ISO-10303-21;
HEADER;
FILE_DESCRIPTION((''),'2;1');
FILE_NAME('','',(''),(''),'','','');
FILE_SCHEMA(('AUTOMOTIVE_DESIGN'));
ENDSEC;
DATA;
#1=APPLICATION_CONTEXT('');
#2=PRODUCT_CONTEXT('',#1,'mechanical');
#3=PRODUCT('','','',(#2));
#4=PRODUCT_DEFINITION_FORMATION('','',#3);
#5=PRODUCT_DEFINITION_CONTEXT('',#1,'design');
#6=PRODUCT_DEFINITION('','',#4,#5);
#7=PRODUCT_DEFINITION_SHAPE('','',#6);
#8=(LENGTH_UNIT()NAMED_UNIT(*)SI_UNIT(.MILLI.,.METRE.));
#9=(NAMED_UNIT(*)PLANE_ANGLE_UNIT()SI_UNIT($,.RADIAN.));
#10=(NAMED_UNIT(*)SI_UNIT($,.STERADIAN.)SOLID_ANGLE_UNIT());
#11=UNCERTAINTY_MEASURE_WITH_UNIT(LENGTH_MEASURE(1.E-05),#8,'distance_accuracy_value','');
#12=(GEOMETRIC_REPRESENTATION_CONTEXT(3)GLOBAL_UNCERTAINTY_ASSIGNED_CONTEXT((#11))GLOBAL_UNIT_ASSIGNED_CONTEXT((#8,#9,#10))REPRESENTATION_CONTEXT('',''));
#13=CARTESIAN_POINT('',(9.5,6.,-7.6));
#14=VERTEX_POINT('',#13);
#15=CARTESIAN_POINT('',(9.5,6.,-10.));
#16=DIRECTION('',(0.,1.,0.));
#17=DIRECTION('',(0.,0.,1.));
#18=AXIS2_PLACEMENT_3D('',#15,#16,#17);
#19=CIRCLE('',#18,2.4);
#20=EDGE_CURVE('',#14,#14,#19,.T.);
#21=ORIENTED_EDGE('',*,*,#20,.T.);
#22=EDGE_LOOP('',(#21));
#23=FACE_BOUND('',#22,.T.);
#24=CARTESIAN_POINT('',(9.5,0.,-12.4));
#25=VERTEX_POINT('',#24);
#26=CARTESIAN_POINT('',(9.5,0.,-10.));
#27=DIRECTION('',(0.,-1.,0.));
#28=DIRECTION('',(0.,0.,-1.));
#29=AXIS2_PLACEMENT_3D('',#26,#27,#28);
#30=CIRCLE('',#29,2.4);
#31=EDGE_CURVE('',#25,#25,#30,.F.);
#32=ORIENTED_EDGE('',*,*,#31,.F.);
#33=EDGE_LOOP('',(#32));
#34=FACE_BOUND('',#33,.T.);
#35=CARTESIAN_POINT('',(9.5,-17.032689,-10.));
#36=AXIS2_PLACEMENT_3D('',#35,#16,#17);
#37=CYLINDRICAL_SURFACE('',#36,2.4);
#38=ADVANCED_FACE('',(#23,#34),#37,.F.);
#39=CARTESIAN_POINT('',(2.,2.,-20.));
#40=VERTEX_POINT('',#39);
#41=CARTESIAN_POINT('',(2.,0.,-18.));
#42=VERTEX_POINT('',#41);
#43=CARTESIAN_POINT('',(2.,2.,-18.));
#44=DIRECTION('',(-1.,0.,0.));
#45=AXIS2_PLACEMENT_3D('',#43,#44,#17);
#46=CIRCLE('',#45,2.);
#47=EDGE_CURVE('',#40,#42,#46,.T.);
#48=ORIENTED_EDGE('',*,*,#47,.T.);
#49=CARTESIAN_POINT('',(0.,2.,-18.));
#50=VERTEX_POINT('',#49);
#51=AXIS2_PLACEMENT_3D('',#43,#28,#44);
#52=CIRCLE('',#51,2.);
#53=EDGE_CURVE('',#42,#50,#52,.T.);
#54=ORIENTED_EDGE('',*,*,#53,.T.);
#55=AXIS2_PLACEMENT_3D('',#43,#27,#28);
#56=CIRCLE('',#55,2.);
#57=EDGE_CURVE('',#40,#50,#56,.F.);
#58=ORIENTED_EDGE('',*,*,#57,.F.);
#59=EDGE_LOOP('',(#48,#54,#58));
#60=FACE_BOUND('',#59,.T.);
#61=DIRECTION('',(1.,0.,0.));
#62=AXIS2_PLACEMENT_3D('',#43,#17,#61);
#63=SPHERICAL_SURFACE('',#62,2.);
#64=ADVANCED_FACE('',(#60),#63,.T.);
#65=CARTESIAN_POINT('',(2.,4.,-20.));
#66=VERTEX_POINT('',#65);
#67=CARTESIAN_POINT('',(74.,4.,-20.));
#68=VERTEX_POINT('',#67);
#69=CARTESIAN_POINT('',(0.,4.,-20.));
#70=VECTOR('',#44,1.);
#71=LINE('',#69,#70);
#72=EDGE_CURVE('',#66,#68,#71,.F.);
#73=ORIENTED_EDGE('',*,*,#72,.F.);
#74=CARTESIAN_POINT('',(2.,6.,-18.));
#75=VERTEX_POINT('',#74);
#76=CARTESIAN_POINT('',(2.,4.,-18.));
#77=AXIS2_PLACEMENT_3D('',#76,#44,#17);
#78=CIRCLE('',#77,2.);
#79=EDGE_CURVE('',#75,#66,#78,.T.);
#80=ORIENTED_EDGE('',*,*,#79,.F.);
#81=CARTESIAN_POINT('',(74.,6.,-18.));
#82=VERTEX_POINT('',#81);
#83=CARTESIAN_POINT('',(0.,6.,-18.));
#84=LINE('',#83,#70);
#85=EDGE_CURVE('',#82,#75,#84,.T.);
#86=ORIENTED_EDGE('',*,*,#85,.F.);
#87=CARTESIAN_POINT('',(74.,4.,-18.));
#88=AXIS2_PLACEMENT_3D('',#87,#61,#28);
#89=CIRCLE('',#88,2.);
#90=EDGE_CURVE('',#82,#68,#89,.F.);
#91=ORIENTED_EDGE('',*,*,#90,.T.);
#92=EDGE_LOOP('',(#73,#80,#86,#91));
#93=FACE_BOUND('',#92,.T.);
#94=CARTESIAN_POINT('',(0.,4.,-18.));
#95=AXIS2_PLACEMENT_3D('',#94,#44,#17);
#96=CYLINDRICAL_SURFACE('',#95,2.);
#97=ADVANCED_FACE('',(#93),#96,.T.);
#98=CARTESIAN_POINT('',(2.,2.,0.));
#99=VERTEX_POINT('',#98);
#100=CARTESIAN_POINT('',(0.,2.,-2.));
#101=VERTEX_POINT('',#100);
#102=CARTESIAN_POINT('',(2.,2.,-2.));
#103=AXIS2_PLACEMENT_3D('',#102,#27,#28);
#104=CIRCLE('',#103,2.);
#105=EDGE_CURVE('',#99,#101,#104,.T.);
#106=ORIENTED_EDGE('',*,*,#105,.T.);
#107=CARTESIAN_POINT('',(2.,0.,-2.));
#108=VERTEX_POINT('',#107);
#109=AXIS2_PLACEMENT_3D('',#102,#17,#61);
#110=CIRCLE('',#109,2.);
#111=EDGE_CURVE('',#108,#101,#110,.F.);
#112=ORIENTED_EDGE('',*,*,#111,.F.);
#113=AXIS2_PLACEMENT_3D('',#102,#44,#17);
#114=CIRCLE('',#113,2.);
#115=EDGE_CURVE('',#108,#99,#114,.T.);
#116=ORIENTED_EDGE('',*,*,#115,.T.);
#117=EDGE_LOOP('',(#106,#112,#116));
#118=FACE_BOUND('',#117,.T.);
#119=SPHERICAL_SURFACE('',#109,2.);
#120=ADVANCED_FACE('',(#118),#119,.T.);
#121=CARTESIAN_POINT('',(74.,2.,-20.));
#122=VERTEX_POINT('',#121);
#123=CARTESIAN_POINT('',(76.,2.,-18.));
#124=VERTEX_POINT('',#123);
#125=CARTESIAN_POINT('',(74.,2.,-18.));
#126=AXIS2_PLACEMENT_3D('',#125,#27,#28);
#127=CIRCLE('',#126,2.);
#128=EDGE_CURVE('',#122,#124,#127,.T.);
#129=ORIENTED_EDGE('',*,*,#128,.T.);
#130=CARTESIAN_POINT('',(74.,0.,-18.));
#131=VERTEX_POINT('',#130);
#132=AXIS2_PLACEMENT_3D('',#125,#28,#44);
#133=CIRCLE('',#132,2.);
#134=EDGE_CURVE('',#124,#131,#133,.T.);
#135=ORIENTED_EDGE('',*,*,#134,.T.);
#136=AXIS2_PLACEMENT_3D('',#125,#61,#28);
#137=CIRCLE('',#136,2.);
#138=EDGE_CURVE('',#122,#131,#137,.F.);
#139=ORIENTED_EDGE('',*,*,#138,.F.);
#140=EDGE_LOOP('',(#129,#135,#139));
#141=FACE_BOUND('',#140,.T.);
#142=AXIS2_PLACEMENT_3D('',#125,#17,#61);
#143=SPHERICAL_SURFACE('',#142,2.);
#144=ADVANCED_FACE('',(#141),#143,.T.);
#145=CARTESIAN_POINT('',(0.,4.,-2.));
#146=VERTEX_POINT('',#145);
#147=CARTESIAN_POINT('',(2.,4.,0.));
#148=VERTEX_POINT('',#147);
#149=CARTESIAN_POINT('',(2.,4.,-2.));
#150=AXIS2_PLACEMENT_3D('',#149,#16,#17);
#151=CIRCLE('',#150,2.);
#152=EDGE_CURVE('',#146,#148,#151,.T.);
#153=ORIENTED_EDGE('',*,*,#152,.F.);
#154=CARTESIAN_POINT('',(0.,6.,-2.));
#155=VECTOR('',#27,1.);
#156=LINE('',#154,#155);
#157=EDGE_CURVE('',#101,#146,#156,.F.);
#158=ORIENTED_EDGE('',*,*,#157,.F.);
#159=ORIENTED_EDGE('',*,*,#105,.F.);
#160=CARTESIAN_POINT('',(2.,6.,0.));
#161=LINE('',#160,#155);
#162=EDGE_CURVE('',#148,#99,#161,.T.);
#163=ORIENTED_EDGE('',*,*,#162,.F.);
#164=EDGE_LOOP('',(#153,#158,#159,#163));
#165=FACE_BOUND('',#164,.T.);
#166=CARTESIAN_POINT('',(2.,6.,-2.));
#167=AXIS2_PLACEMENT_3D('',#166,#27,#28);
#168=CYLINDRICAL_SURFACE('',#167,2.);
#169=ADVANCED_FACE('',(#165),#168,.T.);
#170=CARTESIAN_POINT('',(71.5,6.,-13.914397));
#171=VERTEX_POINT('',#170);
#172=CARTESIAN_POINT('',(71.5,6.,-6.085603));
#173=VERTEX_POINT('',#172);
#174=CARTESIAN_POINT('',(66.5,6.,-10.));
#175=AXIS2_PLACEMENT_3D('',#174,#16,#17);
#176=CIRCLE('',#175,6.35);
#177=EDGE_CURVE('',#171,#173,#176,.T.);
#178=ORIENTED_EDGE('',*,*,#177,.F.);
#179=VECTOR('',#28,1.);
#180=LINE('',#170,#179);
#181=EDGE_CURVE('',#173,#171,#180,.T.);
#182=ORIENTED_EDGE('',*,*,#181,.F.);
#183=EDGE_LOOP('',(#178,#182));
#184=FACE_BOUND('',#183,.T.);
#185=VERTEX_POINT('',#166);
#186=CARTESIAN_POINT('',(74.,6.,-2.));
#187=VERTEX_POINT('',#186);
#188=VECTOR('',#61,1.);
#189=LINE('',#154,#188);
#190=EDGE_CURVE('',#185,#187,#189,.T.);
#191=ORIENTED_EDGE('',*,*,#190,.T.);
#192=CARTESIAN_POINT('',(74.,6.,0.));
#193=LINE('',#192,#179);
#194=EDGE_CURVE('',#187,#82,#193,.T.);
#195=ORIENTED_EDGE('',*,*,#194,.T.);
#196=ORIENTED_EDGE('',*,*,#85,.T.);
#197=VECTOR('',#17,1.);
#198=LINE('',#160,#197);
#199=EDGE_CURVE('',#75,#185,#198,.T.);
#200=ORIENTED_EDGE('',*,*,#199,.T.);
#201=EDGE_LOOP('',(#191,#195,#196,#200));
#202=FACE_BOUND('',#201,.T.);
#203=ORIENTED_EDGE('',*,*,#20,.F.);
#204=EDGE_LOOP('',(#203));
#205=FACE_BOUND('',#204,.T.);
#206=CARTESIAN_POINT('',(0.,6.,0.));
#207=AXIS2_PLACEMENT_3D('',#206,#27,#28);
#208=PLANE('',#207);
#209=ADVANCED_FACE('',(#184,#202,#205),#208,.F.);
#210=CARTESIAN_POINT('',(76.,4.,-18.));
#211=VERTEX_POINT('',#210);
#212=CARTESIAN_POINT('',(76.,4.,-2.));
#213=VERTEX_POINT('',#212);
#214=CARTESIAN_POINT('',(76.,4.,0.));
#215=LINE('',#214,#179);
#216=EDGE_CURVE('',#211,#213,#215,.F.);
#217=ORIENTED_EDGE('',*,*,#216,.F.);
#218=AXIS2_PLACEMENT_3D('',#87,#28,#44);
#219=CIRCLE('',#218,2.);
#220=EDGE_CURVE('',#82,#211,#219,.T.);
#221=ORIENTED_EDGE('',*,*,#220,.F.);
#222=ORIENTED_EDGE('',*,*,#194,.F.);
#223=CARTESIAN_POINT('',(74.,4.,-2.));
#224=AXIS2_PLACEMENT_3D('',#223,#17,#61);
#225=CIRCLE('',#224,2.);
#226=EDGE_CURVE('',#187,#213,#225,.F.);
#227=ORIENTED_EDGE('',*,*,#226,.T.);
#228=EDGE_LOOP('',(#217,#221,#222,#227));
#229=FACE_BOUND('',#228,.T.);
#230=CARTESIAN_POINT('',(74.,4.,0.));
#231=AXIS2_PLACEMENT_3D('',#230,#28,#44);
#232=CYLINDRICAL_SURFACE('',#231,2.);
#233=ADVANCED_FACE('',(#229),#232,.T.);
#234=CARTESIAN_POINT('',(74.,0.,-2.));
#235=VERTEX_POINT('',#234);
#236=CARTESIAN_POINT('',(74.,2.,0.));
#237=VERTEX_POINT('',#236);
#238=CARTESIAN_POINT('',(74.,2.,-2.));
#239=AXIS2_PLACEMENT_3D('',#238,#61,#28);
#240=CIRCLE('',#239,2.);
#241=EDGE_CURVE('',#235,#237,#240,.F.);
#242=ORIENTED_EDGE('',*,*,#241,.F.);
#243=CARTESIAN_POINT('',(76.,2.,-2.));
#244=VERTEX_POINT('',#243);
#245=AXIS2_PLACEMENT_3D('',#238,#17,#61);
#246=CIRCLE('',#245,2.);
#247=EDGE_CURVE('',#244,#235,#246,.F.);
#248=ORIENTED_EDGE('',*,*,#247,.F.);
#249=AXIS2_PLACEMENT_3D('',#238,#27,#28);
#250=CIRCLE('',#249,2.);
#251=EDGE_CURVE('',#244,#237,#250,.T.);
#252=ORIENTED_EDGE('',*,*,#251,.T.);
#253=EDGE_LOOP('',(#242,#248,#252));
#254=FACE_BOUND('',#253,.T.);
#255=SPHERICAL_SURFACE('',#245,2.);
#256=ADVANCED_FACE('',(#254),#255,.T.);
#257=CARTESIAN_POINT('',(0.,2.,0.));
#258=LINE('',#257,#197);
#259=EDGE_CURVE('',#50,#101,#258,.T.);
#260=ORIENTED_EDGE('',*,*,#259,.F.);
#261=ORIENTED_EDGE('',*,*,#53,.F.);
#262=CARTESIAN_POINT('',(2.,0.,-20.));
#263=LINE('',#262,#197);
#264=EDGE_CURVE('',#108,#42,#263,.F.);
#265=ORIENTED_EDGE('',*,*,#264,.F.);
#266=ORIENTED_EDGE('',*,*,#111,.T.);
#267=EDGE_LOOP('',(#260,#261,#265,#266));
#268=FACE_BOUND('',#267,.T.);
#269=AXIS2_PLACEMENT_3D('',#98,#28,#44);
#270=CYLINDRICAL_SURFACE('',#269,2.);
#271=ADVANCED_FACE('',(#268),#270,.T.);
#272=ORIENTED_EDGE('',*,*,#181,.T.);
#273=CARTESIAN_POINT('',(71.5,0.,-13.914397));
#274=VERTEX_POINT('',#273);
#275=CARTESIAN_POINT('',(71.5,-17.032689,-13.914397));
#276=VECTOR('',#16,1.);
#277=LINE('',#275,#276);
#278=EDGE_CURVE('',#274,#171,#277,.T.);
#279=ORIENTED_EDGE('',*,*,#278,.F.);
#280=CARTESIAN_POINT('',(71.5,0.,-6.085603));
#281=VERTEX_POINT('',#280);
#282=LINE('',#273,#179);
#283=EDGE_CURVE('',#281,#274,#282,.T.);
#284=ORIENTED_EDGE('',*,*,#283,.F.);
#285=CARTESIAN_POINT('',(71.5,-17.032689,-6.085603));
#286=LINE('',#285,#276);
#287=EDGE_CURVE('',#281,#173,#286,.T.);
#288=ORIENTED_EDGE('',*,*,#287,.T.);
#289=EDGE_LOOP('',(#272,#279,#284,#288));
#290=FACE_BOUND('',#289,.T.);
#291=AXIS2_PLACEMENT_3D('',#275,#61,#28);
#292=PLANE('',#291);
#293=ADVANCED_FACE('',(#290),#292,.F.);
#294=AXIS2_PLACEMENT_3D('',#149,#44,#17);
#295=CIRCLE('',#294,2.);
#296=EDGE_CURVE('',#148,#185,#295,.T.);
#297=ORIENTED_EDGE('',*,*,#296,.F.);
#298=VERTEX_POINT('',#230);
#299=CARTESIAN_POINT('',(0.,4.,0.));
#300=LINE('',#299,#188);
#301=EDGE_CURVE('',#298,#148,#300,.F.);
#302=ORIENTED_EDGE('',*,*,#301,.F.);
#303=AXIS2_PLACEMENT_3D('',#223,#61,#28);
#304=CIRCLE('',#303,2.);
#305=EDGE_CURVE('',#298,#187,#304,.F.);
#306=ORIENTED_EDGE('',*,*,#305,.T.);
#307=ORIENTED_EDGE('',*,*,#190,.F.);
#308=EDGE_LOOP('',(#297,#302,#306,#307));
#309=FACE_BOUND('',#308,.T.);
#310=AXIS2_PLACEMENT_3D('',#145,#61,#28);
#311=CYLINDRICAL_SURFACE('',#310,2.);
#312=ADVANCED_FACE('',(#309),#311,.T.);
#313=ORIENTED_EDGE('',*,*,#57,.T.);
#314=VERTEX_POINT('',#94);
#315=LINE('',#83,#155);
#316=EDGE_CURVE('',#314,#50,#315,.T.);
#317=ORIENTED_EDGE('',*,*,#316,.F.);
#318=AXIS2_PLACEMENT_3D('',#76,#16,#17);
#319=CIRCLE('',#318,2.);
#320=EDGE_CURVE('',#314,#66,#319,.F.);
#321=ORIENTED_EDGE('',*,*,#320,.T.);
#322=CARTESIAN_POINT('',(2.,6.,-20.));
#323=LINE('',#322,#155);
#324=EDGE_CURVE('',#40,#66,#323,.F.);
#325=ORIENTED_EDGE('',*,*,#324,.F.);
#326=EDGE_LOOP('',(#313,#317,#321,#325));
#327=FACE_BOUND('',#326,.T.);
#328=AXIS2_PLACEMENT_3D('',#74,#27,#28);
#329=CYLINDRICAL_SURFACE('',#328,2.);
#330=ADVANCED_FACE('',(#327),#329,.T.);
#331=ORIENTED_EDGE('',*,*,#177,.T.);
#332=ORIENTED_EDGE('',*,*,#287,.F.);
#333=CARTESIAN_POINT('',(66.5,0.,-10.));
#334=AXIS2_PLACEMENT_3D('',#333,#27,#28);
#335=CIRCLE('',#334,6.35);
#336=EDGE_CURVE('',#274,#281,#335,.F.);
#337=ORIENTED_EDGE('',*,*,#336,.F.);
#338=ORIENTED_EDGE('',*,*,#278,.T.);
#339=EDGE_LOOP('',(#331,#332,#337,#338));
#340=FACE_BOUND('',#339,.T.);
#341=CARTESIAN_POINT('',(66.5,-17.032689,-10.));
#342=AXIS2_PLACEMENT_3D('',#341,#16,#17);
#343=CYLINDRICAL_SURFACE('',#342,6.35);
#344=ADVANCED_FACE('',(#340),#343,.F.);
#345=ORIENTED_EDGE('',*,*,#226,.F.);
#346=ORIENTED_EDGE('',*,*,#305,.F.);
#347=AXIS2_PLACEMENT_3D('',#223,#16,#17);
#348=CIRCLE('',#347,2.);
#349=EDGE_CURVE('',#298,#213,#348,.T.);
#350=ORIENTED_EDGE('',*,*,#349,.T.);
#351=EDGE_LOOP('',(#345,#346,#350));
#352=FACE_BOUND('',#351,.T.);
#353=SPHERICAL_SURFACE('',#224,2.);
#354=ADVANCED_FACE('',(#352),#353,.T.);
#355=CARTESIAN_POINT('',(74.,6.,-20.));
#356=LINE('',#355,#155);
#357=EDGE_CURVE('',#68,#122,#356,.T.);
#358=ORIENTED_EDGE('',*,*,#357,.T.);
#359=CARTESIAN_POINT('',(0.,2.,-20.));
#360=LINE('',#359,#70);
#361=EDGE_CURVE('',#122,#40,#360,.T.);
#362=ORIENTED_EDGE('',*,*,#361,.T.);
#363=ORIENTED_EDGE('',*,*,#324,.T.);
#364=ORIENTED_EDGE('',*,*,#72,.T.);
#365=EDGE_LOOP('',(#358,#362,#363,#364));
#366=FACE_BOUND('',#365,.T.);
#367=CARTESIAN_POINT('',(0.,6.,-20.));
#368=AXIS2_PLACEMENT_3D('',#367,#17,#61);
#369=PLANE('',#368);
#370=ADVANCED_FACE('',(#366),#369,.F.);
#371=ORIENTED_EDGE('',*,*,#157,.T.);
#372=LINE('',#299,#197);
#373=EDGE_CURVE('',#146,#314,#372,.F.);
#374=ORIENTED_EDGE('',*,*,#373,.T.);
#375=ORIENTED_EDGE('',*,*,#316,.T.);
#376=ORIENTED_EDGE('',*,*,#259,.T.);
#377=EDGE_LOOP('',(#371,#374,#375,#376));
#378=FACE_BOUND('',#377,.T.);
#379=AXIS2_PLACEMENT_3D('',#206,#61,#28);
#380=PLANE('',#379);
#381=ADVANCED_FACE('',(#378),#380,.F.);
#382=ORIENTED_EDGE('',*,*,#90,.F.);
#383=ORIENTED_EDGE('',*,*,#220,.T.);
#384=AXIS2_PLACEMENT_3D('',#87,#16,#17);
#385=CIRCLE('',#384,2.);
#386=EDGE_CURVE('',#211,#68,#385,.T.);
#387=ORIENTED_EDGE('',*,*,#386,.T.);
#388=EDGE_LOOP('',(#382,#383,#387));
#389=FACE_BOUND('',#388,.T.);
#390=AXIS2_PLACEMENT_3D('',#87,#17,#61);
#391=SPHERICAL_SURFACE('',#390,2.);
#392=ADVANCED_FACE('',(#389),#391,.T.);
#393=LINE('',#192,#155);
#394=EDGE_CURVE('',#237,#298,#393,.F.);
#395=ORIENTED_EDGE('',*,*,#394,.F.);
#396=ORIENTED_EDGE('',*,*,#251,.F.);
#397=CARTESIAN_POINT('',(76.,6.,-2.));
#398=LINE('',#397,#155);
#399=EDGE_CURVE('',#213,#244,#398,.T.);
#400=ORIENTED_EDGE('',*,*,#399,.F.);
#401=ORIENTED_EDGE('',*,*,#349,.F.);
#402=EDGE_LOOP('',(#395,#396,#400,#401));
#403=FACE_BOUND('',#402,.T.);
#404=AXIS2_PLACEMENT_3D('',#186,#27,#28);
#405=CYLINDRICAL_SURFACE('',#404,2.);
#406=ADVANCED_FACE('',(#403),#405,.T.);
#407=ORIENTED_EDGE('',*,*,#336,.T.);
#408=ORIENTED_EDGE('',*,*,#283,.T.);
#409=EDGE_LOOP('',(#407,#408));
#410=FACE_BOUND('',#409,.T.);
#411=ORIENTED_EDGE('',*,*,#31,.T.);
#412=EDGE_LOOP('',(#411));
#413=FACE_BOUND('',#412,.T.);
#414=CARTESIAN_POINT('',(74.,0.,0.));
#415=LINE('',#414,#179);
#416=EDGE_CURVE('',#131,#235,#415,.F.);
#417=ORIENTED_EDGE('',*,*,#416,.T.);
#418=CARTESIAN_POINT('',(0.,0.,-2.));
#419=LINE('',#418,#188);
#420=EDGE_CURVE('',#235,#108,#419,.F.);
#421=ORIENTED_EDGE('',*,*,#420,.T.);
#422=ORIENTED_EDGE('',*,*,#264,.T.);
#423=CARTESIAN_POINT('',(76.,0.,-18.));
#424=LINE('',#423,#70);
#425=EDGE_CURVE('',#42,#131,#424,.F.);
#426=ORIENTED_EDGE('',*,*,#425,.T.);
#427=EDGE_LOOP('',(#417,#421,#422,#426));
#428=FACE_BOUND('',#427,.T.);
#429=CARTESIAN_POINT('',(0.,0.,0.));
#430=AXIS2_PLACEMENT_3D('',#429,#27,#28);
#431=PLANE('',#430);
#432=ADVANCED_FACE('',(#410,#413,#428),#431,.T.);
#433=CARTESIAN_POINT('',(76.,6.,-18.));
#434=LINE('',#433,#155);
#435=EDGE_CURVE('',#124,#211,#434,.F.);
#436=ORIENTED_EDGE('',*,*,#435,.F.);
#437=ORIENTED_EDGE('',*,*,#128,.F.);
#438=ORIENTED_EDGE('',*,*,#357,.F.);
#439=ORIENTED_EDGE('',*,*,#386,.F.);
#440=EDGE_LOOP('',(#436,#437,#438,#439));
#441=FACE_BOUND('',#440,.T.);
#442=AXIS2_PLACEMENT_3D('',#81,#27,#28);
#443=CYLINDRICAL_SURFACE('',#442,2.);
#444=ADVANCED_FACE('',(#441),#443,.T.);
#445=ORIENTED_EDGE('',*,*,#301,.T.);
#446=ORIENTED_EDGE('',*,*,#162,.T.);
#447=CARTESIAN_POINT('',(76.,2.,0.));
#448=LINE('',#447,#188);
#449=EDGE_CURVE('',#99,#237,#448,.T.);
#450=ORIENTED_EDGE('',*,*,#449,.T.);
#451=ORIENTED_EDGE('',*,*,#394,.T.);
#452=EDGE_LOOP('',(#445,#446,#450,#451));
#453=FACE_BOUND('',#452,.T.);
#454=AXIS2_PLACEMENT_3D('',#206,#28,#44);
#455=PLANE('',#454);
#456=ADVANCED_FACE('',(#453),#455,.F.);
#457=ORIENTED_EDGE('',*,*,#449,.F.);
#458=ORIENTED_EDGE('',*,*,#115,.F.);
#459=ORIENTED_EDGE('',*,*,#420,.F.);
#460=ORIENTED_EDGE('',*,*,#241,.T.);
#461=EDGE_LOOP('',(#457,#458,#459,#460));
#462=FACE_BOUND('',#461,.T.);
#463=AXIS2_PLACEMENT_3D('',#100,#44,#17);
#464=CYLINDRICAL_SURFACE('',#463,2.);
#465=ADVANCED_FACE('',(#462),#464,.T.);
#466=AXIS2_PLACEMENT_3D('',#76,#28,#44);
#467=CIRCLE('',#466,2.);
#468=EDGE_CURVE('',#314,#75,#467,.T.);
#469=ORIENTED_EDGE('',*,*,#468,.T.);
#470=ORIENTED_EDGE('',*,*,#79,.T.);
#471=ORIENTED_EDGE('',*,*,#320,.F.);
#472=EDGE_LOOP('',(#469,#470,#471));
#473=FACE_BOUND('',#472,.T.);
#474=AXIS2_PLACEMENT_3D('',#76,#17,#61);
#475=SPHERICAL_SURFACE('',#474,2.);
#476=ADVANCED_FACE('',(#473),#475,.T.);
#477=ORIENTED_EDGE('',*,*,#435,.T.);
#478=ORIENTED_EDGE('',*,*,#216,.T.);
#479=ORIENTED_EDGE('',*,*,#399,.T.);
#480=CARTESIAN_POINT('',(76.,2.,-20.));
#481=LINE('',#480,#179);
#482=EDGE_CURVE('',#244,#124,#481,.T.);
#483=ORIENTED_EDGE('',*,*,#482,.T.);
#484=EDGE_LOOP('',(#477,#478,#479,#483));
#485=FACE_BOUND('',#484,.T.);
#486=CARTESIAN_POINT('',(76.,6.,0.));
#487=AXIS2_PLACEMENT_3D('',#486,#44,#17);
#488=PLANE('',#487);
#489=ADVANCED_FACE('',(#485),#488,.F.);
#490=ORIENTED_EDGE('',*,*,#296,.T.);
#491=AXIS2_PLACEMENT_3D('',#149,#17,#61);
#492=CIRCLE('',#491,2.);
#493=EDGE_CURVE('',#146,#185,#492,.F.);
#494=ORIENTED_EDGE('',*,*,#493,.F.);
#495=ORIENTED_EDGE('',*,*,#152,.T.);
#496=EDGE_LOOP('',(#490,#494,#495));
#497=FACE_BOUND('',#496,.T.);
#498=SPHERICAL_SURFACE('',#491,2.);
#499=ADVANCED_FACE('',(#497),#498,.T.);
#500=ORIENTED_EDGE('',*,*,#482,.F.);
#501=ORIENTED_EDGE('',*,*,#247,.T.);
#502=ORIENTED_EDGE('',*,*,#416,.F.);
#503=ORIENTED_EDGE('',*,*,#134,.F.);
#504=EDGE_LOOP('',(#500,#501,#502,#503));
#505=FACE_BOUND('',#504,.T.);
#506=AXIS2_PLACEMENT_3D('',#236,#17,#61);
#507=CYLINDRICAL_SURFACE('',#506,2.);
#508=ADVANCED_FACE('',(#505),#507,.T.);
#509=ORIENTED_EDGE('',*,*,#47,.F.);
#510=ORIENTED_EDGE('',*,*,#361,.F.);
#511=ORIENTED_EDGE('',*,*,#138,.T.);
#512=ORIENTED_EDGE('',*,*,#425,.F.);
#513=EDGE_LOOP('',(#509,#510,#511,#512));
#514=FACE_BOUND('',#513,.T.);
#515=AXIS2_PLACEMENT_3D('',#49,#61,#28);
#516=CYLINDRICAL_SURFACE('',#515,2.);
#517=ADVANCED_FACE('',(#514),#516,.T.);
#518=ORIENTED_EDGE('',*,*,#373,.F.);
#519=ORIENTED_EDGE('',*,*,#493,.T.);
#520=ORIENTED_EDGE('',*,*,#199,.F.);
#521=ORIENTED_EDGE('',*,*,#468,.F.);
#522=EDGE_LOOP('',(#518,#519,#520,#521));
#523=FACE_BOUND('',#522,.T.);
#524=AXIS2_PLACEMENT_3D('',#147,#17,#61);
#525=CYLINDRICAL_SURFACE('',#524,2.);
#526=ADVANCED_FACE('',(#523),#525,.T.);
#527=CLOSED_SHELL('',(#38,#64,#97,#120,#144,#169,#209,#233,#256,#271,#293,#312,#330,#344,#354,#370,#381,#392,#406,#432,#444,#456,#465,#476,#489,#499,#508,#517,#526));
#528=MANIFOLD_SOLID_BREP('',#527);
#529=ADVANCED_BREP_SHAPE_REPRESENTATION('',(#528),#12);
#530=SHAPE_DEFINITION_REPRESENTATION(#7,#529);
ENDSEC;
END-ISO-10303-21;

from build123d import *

# Parameters (mm, degrees)
SKETCH1_W           = 76
SKETCH1_H           = 20
BOSS_EXTRUDE1_DEPTH = 6
SKETCH2_R           = 2.4
CUT_EXTRUDE1_DEPTH  = 6
FILLET1_R           = 2


with BuildPart() as part:
    # Sketch1 → Boss-Extrude1 (new body)
    with BuildSketch(Plane(origin=(0, 0, 0), x_dir=(1, 0, 0), z_dir=(0, 1, 0))):
        with Locations((38, 10)):
            Rectangle(SKETCH1_W, SKETCH1_H)
    extrude(amount=BOSS_EXTRUDE1_DEPTH)

    # Sketch2 → Cut-Extrude1 (cut)
    with BuildSketch(Plane(origin=(0, 6, 0), x_dir=(1, 0, 0), z_dir=(0, 1, 0))):
        with Locations((9.5, 10)):
            Circle(SKETCH2_R)
        with BuildLine():
            Line((71.5, 13.914396505), (71.5, 6.085603495))
            ThreePointArc((71.5, 6.085603495), (60.15, 10), (71.5, 13.914396505))
        make_face()
    extrude(amount=-CUT_EXTRUDE1_DEPTH, mode=Mode.SUBTRACT)

    # Fillet1
    fillet1_edges = [part.edges().sort_by_distance(p)[0] for p in [
        (76, 6, -10),
        (38, 6, -20),
        (0, 6, -10),
        (38, 0, -20),
        (76, 0, -10),
        (38, 0, 0),
        (0, 0, -10),
        (38, 6, 0),
        (0, 3, -20),
        (76, 3, -20),
        (76, 3, 0),
        (0, 3, 0),
    ]]
    fillet(fillet1_edges, radius=FILLET1_R)


solid = part.part
